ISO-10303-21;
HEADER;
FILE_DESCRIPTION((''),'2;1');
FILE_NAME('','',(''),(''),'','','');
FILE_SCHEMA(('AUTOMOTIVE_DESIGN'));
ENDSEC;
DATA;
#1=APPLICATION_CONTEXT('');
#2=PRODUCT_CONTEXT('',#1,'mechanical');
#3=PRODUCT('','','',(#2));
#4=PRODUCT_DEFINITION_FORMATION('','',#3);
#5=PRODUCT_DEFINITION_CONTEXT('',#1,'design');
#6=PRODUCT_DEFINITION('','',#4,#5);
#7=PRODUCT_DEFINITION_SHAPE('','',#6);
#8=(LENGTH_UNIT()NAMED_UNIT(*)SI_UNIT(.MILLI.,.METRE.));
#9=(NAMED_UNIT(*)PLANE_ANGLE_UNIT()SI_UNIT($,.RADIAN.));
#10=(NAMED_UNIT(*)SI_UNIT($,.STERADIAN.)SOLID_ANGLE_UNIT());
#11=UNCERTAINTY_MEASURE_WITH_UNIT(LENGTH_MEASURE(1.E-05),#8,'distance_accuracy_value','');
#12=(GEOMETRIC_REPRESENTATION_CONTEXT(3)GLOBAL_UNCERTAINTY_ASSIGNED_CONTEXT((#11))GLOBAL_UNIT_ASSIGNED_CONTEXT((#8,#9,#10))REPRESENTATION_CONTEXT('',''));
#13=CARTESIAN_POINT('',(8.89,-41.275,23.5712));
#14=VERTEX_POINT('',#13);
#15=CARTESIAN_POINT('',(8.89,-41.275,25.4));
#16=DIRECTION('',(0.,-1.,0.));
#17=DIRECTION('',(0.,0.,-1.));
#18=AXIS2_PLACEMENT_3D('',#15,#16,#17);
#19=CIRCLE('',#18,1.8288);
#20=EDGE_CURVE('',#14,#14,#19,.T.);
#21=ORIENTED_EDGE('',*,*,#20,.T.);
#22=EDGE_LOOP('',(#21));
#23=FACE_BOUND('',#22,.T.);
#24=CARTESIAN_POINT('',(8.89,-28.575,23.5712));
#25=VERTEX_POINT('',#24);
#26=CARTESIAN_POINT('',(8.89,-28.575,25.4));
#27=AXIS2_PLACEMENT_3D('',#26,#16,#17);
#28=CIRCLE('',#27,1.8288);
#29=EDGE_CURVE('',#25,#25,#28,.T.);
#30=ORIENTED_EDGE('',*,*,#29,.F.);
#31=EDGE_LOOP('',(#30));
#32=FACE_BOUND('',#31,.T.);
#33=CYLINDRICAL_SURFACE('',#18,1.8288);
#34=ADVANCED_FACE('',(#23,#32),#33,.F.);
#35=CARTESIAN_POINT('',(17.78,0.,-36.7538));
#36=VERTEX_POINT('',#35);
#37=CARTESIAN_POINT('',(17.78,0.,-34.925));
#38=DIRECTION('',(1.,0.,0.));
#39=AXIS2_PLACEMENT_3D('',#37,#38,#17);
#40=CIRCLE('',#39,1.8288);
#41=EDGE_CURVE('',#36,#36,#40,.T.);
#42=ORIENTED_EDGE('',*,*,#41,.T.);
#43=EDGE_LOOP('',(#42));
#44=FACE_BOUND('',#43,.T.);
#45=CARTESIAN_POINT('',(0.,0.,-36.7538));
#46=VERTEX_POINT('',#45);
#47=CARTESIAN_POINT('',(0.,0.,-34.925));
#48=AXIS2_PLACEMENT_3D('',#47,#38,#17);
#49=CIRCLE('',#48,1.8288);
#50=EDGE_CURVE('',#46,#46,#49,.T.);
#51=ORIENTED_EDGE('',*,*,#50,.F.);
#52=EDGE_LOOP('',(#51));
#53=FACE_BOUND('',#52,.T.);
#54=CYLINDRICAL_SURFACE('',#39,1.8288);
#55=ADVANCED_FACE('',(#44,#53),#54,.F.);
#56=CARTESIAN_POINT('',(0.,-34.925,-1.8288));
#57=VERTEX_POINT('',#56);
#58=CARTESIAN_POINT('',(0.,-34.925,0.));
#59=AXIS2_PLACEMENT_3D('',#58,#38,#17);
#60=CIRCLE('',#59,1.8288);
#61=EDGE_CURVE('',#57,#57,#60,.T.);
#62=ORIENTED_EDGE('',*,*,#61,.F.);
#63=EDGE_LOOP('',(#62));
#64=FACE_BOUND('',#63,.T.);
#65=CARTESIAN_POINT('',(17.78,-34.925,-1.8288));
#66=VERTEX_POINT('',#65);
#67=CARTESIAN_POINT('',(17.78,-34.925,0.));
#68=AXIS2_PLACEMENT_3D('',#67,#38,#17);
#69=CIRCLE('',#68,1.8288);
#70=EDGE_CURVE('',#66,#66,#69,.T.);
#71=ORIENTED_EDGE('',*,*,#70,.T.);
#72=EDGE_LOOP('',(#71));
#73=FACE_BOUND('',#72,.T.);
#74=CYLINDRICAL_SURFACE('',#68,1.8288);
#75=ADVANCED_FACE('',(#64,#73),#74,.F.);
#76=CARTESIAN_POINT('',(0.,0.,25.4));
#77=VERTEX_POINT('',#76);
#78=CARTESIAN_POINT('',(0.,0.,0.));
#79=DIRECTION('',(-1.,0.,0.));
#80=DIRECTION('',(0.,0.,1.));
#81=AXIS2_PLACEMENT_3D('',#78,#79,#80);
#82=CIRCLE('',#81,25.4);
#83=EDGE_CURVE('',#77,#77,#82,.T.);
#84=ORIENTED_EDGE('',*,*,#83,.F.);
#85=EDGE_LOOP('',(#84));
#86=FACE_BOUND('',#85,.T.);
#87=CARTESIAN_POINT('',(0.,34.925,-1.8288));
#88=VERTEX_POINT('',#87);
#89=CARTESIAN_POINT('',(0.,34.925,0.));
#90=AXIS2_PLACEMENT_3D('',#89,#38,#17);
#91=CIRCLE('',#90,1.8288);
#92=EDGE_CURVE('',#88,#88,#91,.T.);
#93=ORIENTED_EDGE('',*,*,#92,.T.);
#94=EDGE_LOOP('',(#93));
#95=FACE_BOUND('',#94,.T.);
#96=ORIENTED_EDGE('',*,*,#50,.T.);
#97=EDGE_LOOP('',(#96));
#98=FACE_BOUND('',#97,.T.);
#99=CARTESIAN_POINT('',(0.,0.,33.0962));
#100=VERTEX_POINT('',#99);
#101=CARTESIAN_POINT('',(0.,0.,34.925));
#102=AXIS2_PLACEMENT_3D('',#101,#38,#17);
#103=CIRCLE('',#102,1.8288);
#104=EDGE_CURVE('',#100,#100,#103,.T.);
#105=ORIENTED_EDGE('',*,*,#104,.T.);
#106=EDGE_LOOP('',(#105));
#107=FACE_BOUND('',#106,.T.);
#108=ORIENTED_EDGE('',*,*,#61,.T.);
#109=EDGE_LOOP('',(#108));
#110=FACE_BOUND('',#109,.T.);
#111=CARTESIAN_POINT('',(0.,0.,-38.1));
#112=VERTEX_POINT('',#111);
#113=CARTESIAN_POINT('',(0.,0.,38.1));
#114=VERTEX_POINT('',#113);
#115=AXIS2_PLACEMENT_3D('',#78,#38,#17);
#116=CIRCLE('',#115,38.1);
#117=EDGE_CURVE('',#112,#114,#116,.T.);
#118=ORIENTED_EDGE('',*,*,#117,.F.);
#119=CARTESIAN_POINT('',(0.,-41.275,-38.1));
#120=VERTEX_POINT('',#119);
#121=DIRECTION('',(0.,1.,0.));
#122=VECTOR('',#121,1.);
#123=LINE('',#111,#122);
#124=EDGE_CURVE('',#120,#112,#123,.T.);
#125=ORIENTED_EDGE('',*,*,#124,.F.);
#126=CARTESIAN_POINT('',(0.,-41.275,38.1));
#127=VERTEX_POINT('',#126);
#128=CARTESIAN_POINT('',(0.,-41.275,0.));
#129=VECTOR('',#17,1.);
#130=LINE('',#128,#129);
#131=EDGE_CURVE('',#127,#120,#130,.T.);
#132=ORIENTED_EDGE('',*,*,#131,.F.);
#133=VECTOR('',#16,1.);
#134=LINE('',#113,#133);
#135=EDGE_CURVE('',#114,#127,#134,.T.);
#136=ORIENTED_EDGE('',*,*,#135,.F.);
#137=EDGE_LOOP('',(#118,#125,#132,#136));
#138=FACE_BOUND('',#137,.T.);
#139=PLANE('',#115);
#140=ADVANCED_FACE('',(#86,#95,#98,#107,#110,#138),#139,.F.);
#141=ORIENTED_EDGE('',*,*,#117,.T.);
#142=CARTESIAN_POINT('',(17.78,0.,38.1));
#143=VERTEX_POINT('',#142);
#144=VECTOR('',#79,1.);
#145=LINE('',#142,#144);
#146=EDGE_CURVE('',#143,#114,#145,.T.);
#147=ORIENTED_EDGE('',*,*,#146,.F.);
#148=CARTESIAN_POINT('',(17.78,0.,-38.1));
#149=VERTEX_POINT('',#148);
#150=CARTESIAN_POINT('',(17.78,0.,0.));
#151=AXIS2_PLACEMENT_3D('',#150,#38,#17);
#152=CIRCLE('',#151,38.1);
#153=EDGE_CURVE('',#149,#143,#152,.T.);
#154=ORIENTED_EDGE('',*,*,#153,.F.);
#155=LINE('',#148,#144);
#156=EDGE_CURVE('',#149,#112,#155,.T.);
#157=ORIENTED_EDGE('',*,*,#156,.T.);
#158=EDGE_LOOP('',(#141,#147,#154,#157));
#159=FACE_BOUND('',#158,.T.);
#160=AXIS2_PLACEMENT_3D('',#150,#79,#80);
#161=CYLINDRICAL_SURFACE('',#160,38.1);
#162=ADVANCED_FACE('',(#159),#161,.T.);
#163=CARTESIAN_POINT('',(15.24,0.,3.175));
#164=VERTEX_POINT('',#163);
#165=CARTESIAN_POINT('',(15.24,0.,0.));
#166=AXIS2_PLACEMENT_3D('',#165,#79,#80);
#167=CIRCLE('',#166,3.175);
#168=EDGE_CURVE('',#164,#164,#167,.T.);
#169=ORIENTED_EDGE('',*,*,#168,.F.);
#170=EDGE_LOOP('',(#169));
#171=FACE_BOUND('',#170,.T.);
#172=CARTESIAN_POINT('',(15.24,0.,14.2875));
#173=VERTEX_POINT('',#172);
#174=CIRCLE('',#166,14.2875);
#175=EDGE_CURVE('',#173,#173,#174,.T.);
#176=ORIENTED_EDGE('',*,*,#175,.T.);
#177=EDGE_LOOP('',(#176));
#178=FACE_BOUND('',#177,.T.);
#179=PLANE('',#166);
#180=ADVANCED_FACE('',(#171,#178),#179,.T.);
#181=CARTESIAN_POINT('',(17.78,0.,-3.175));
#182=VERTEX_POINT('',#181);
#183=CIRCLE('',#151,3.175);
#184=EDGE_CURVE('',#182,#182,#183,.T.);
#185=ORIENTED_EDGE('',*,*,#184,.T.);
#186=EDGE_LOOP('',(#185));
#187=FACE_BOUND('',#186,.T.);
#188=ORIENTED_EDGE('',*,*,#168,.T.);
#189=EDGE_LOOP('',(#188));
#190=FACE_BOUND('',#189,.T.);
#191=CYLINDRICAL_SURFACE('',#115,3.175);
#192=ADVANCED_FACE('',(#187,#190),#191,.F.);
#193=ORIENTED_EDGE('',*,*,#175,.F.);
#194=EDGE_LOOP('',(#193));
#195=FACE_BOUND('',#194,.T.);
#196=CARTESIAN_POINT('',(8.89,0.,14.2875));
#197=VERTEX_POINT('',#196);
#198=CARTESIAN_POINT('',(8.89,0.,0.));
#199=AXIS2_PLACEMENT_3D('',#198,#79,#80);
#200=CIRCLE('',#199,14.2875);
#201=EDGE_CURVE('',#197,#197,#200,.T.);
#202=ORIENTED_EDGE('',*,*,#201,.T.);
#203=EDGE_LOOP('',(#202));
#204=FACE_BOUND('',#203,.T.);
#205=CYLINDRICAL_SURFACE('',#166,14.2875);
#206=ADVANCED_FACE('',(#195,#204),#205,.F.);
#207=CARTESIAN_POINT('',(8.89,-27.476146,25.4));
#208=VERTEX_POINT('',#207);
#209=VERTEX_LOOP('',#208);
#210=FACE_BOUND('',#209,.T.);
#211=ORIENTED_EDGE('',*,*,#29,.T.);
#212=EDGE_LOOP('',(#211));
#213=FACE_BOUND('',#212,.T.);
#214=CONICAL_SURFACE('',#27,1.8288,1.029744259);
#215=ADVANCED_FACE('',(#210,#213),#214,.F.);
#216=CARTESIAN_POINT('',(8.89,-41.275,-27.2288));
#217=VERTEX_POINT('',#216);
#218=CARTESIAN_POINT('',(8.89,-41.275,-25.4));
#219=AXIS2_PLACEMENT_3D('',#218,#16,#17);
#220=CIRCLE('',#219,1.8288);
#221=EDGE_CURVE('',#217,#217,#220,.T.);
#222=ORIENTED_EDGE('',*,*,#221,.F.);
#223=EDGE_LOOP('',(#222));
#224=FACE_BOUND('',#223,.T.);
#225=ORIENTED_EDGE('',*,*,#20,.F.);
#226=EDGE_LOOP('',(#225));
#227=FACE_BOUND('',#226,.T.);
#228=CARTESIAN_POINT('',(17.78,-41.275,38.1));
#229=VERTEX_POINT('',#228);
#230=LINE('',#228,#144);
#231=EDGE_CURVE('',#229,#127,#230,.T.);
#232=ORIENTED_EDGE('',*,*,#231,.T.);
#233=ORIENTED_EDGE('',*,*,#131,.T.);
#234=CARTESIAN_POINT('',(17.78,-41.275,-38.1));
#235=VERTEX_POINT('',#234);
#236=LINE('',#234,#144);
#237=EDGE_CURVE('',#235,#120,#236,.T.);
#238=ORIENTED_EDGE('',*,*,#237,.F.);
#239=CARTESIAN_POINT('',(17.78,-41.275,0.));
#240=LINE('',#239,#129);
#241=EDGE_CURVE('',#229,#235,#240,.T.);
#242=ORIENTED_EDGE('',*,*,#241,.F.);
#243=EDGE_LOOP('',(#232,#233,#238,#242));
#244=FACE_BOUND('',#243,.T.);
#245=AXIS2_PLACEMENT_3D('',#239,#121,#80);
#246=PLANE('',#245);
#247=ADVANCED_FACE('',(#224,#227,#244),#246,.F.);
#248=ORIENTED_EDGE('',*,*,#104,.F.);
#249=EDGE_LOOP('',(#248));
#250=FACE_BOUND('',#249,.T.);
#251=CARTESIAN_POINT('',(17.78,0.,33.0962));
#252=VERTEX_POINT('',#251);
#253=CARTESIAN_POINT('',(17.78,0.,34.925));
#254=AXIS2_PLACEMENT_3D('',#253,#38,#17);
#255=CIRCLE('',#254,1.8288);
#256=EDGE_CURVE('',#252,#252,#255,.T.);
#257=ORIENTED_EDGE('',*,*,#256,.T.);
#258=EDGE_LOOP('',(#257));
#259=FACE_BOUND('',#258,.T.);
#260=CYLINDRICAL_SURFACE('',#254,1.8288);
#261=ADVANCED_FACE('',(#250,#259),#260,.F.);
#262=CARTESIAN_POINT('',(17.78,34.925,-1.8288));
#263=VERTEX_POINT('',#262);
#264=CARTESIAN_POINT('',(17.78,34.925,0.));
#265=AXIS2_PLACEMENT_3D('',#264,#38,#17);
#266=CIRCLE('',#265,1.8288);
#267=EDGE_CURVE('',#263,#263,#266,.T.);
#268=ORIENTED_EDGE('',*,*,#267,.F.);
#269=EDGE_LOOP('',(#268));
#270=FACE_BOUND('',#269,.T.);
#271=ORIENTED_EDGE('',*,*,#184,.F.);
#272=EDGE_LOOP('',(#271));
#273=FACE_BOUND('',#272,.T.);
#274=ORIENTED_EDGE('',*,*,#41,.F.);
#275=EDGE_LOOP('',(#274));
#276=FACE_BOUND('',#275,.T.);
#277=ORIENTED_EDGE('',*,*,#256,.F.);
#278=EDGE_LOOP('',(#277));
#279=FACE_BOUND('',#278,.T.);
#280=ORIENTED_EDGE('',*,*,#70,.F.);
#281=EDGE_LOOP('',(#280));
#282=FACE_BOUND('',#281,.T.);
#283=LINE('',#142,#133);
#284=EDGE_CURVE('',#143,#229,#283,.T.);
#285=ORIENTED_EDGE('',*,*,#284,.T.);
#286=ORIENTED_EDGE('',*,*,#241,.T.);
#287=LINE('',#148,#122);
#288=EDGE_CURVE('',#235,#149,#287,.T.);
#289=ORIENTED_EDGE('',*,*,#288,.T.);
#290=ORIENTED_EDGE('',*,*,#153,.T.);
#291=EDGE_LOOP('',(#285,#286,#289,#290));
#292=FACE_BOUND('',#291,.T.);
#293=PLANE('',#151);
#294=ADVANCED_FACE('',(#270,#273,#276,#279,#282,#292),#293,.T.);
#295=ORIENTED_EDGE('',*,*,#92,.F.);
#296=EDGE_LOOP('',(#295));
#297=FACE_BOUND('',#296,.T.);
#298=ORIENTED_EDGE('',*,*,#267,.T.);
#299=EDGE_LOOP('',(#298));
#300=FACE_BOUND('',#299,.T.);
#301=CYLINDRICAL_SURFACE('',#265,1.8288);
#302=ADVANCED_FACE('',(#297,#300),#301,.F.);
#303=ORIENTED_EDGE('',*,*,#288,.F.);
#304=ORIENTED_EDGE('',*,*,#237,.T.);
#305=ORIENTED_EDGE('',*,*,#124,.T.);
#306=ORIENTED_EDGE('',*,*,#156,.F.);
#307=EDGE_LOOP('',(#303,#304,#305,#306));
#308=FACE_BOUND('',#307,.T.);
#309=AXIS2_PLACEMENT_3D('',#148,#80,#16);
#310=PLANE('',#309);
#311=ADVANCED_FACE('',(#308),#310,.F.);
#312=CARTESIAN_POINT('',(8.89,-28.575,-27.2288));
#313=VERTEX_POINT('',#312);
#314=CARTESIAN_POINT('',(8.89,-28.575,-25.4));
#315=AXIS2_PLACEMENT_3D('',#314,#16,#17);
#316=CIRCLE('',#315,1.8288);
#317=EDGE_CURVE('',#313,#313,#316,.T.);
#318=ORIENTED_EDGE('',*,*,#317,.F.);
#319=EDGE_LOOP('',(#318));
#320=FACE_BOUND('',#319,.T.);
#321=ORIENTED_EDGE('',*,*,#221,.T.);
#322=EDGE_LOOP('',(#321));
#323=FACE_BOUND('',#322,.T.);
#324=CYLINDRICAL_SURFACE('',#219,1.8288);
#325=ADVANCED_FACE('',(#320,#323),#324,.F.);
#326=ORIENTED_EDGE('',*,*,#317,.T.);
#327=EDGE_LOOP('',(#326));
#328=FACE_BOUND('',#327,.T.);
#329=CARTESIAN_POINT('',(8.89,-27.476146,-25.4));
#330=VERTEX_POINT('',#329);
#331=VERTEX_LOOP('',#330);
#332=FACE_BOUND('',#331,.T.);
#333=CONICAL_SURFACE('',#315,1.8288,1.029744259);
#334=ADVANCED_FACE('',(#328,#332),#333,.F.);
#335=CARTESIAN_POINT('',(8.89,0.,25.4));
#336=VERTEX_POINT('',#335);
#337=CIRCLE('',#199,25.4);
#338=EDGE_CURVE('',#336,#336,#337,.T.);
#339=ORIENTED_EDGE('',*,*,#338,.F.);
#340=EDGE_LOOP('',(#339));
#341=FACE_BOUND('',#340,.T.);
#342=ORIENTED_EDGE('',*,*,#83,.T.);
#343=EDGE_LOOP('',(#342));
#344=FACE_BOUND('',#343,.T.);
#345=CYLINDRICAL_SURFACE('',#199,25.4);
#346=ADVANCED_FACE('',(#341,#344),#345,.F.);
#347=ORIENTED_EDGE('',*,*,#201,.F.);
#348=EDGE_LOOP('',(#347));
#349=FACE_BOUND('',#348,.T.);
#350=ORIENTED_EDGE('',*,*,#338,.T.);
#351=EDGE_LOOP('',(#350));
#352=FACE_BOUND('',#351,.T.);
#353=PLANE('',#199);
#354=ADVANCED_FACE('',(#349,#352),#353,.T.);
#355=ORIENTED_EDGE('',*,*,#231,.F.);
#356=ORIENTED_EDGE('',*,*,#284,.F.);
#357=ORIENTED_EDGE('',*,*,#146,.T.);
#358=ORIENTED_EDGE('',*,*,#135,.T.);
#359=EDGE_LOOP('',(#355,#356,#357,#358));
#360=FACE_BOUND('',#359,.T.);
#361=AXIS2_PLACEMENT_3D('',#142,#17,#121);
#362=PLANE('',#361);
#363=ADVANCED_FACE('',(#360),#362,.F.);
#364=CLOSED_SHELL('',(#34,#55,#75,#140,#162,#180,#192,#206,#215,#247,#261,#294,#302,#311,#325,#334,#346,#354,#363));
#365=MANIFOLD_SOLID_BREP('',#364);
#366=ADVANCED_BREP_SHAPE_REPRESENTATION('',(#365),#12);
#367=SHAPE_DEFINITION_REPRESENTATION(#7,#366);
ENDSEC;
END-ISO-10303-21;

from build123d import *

# Parameters (mm, degrees)
SKETCH1_R                 = 38.1
BOSS_EXTRUDE1_DEPTH       = 17.78
SKETCH2_R                 = 25.4
CUT_EXTRUDE1_DEPTH        = 8.89
F_6_CLEARANCE_HOLE1_D     = 3.6576
SKETCH6_R                 = 14.2875
CUT_EXTRUDE2_DEPTH        = 6.35
SKETCH7_R                 = 3.175
CUT_EXTRUDE3_DEPTH        = 59.918282604
F_6_CLEARANCE_HOLE2_D     = 3.6576
F_6_CLEARANCE_HOLE2_DEPTH = 12.7
F_6_CLEARANCE_HOLE2_TIP   = 1.0988539


with BuildPart() as part:
    # Sketch1 → Boss-Extrude1 (new body)
    with BuildSketch(Plane(origin=(0, 0, 0), x_dir=(0, 0, -1), z_dir=(1, 0, 0))):
        with BuildLine():
            ThreePointArc((38.1, 0), (0, -38.1), (-38.1, 0))
            Line((-38.1, 0), (-38.1, -41.275))
            Line((-38.1, -41.275), (38.1, -41.275))
            Line((38.1, -41.275), (38.1, 0))
        make_face()
        Circle(SKETCH1_R)
    extrude(amount=BOSS_EXTRUDE1_DEPTH)

    # Sketch2 → Cut-Extrude1 (cut)
    with BuildSketch(Plane.ZY):
        Circle(SKETCH2_R)
    extrude(amount=-CUT_EXTRUDE1_DEPTH, mode=Mode.SUBTRACT)

    # #6 Clearance Hole1 (through all)
    with Locations(Plane(origin=(17.78, 0, 0), x_dir=(0, 0, -1), z_dir=(1, 0, 0))):
        with Locations((0, 34.925), (34.925, 0), (0, -34.925), (-34.925, 0)):
            Hole(F_6_CLEARANCE_HOLE1_D / 2)

    # Sketch6 → Cut-Extrude2 (cut)
    with BuildSketch(Plane.ZY.offset(-8.89)):
        Circle(SKETCH6_R)
    extrude(amount=-CUT_EXTRUDE2_DEPTH, mode=Mode.SUBTRACT)

    # Sketch7 → Cut-Extrude3 (cut, through all)
    with BuildSketch(Plane(origin=(17.78, 0, 0), x_dir=(0, 0, -1), z_dir=(1, 0, 0))):
        Circle(SKETCH7_R)
    extrude(amount=-CUT_EXTRUDE3_DEPTH, mode=Mode.SUBTRACT)

    # #6 Clearance Hole2
    with Locations(Plane(origin=(0, -41.275, 0), x_dir=(-1, 0, 0), z_dir=(0, -1, 0))):
        with Locations((-8.89, 25.4), (-8.89, -25.4)):
            Hole(F_6_CLEARANCE_HOLE2_D / 2, depth=F_6_CLEARANCE_HOLE2_DEPTH)
            with Locations((0, 0, -(F_6_CLEARANCE_HOLE2_DEPTH + F_6_CLEARANCE_HOLE2_TIP / 2))):  # 118° drill point
                Cone(0, F_6_CLEARANCE_HOLE2_D / 2, F_6_CLEARANCE_HOLE2_TIP, mode=Mode.SUBTRACT)


solid = part.part
